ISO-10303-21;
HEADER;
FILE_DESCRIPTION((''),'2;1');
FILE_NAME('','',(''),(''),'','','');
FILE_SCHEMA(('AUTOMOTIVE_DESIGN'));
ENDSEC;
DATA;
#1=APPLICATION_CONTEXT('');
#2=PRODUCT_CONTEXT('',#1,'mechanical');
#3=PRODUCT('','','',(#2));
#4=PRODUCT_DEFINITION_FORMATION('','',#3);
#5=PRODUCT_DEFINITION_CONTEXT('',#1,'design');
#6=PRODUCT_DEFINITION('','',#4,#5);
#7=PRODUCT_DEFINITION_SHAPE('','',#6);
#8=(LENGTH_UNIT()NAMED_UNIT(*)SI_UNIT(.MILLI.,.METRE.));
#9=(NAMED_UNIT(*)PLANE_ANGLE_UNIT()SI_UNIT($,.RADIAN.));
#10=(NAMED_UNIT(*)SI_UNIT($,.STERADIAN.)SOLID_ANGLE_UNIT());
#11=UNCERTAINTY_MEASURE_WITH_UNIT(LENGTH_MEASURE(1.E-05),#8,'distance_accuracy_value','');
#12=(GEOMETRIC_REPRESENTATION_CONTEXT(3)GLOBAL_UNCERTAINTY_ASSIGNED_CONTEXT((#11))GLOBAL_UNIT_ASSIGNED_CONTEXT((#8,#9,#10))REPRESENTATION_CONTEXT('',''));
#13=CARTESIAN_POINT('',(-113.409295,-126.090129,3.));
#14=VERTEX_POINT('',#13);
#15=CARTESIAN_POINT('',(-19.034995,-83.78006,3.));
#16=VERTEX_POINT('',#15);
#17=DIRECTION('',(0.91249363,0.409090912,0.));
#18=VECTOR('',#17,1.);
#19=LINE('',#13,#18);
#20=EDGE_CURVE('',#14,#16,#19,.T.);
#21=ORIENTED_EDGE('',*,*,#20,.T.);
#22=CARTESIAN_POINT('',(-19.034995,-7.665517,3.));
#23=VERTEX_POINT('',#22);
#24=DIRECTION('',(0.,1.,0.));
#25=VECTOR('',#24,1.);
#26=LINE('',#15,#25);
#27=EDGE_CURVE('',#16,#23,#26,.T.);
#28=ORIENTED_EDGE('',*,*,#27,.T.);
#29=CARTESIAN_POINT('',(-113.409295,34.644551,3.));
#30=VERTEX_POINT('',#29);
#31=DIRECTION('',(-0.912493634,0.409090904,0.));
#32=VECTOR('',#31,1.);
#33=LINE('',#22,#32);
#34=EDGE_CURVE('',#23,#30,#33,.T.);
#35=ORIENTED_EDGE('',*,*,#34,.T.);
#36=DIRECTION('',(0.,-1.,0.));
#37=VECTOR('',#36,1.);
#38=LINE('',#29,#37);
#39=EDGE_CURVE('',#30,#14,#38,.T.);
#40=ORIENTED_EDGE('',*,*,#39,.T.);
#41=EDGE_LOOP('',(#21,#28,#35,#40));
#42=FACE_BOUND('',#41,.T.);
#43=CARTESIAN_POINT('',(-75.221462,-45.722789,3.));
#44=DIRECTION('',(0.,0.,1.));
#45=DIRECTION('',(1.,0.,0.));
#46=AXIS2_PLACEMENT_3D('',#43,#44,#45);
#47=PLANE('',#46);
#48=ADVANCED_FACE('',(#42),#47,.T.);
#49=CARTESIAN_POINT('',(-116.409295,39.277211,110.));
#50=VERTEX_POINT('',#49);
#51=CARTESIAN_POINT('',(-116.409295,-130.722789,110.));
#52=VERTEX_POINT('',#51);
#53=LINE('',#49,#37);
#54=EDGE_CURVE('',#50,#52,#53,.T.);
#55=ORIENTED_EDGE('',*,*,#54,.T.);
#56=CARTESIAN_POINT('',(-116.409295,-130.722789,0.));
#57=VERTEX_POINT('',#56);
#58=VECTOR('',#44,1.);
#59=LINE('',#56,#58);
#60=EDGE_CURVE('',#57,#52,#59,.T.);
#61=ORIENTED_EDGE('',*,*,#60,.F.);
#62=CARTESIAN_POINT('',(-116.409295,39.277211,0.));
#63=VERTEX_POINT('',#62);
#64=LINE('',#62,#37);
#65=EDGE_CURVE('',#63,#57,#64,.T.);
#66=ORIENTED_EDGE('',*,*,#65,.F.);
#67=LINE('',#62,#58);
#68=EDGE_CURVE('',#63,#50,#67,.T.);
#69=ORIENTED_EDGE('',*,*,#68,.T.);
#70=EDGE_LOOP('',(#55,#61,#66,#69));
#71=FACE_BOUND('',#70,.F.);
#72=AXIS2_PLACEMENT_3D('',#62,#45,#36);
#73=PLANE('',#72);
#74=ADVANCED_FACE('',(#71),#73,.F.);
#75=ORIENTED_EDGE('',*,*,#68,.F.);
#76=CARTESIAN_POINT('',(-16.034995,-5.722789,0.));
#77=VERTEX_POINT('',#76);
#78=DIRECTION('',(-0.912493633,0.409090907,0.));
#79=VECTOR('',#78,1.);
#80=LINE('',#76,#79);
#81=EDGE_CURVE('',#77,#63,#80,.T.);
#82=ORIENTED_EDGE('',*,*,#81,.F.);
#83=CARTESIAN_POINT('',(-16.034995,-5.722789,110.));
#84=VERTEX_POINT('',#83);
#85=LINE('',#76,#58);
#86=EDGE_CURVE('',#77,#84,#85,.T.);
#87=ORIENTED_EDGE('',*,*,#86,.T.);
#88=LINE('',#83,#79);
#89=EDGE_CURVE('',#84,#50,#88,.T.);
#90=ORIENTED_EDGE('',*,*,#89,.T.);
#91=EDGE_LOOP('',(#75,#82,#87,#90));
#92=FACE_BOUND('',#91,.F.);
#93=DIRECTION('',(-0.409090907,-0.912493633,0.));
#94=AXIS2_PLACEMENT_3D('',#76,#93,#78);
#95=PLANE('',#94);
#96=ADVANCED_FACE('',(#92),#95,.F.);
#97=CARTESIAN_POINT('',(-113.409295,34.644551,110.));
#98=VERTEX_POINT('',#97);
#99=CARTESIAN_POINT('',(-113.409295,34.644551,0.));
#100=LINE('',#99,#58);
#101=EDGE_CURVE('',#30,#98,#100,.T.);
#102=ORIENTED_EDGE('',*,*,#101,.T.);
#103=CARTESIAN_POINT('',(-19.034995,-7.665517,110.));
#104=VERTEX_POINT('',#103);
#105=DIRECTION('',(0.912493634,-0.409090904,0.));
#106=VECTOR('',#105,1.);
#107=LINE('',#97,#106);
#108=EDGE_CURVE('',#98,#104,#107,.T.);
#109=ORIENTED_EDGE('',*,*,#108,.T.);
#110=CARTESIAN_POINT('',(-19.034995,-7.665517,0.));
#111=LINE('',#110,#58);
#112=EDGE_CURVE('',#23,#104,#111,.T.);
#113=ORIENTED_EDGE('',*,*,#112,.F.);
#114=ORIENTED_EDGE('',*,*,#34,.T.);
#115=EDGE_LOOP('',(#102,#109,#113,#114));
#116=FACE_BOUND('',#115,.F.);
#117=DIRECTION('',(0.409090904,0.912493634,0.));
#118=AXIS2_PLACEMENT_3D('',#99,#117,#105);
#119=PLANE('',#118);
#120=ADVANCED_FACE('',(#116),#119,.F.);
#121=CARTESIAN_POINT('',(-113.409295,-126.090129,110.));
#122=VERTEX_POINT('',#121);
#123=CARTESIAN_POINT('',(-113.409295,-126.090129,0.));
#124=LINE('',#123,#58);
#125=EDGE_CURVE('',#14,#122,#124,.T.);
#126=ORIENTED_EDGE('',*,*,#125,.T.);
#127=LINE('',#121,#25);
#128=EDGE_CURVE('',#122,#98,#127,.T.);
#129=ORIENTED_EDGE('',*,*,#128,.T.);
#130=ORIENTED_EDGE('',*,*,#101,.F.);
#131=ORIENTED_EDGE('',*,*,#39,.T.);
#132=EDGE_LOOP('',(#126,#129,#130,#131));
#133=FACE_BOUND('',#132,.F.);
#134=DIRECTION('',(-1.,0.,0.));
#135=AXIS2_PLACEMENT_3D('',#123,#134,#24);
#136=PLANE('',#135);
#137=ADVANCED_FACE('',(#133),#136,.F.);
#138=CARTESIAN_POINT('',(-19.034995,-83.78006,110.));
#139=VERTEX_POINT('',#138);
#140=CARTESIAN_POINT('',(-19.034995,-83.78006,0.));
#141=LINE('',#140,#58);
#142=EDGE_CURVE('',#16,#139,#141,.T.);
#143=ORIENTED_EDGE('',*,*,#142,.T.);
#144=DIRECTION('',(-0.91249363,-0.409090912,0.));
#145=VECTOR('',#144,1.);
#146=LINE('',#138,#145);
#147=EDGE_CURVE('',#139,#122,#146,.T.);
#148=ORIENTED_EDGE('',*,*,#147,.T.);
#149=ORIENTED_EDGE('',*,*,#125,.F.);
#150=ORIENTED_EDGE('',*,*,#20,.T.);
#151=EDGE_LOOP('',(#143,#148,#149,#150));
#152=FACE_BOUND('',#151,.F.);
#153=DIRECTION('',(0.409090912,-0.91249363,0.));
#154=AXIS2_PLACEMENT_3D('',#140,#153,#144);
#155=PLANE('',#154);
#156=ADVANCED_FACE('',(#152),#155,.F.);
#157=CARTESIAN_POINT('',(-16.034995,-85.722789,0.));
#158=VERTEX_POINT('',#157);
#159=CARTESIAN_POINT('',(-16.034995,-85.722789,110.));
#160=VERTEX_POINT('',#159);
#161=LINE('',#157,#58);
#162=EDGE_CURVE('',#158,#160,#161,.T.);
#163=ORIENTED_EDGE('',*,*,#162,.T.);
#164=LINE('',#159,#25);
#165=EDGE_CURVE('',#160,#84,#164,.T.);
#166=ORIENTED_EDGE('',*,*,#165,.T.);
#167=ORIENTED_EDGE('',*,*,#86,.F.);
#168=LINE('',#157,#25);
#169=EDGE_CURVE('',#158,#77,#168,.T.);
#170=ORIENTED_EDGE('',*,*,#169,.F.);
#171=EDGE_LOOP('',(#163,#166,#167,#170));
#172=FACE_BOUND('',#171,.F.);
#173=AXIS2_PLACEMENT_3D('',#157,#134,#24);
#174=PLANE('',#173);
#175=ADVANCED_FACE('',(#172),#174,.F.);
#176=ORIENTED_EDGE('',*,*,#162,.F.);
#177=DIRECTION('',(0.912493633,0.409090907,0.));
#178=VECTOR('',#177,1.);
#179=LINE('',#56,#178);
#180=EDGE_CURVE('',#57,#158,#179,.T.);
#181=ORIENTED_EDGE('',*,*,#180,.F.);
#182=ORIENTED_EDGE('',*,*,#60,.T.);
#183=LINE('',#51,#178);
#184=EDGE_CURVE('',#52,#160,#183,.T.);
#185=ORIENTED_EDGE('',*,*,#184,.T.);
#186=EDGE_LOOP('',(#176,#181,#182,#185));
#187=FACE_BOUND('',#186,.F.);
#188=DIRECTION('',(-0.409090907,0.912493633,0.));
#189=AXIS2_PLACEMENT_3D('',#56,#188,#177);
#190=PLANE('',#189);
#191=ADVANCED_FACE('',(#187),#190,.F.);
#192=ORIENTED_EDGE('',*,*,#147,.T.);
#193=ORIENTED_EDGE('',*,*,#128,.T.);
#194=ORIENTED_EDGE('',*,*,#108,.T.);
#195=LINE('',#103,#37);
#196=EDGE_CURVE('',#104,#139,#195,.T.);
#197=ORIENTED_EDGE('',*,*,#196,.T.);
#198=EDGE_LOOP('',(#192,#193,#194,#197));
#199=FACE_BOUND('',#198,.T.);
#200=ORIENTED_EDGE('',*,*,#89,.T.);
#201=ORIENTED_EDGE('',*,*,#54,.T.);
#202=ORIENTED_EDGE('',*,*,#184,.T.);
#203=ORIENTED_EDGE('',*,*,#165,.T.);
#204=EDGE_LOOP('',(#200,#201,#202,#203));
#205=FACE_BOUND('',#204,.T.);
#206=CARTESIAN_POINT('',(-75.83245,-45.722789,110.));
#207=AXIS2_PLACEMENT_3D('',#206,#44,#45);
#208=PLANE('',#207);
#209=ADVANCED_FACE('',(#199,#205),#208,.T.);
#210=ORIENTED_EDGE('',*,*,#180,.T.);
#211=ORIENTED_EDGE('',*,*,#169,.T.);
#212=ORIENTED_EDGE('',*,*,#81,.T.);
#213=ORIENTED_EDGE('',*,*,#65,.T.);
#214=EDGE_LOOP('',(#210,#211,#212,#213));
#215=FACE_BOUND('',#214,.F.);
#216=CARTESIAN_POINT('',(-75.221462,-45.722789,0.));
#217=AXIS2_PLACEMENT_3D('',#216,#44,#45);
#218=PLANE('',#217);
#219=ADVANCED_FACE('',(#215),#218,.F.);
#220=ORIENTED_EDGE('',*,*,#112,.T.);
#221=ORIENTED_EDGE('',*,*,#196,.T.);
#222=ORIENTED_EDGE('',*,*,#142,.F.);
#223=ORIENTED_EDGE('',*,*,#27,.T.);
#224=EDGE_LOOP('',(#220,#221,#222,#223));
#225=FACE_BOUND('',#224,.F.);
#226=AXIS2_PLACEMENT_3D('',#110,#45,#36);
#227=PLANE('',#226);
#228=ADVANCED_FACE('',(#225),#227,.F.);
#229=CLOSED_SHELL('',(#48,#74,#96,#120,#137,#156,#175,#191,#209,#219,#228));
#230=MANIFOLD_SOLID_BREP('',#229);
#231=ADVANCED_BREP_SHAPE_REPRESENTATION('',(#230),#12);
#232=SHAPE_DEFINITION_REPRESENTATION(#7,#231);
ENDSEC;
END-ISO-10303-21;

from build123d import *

# Parameters (mm, degrees)
F1_DEPTH = 110
F2_DEPTH = 3


with BuildPart() as f1:
    # F0 (on Top) → F1 (new body)
    with BuildSketch(Plane.XY):
        Polygon((-16.034995, -5.722789), (-116.409295, 39.277211), (-116.409295, -130.722789), (-16.034995, -85.722789), align=None)
        Polygon((-113.409295, -126.090129), (-113.409295, 34.644551), (-19.034995, -7.665517), (-19.034995, -83.78006), align=None, mode=Mode.SUBTRACT)
    extrude(amount=F1_DEPTH)

    # F0 (on Top) → F2 (join)
    with BuildSketch(Plane.XY):
        Polygon((-19.034995, -7.665517), (-113.409295, 34.644551), (-113.409295, -126.090129), (-19.034995, -83.78006), align=None)
    extrude(amount=F2_DEPTH)


solid = f1.part
